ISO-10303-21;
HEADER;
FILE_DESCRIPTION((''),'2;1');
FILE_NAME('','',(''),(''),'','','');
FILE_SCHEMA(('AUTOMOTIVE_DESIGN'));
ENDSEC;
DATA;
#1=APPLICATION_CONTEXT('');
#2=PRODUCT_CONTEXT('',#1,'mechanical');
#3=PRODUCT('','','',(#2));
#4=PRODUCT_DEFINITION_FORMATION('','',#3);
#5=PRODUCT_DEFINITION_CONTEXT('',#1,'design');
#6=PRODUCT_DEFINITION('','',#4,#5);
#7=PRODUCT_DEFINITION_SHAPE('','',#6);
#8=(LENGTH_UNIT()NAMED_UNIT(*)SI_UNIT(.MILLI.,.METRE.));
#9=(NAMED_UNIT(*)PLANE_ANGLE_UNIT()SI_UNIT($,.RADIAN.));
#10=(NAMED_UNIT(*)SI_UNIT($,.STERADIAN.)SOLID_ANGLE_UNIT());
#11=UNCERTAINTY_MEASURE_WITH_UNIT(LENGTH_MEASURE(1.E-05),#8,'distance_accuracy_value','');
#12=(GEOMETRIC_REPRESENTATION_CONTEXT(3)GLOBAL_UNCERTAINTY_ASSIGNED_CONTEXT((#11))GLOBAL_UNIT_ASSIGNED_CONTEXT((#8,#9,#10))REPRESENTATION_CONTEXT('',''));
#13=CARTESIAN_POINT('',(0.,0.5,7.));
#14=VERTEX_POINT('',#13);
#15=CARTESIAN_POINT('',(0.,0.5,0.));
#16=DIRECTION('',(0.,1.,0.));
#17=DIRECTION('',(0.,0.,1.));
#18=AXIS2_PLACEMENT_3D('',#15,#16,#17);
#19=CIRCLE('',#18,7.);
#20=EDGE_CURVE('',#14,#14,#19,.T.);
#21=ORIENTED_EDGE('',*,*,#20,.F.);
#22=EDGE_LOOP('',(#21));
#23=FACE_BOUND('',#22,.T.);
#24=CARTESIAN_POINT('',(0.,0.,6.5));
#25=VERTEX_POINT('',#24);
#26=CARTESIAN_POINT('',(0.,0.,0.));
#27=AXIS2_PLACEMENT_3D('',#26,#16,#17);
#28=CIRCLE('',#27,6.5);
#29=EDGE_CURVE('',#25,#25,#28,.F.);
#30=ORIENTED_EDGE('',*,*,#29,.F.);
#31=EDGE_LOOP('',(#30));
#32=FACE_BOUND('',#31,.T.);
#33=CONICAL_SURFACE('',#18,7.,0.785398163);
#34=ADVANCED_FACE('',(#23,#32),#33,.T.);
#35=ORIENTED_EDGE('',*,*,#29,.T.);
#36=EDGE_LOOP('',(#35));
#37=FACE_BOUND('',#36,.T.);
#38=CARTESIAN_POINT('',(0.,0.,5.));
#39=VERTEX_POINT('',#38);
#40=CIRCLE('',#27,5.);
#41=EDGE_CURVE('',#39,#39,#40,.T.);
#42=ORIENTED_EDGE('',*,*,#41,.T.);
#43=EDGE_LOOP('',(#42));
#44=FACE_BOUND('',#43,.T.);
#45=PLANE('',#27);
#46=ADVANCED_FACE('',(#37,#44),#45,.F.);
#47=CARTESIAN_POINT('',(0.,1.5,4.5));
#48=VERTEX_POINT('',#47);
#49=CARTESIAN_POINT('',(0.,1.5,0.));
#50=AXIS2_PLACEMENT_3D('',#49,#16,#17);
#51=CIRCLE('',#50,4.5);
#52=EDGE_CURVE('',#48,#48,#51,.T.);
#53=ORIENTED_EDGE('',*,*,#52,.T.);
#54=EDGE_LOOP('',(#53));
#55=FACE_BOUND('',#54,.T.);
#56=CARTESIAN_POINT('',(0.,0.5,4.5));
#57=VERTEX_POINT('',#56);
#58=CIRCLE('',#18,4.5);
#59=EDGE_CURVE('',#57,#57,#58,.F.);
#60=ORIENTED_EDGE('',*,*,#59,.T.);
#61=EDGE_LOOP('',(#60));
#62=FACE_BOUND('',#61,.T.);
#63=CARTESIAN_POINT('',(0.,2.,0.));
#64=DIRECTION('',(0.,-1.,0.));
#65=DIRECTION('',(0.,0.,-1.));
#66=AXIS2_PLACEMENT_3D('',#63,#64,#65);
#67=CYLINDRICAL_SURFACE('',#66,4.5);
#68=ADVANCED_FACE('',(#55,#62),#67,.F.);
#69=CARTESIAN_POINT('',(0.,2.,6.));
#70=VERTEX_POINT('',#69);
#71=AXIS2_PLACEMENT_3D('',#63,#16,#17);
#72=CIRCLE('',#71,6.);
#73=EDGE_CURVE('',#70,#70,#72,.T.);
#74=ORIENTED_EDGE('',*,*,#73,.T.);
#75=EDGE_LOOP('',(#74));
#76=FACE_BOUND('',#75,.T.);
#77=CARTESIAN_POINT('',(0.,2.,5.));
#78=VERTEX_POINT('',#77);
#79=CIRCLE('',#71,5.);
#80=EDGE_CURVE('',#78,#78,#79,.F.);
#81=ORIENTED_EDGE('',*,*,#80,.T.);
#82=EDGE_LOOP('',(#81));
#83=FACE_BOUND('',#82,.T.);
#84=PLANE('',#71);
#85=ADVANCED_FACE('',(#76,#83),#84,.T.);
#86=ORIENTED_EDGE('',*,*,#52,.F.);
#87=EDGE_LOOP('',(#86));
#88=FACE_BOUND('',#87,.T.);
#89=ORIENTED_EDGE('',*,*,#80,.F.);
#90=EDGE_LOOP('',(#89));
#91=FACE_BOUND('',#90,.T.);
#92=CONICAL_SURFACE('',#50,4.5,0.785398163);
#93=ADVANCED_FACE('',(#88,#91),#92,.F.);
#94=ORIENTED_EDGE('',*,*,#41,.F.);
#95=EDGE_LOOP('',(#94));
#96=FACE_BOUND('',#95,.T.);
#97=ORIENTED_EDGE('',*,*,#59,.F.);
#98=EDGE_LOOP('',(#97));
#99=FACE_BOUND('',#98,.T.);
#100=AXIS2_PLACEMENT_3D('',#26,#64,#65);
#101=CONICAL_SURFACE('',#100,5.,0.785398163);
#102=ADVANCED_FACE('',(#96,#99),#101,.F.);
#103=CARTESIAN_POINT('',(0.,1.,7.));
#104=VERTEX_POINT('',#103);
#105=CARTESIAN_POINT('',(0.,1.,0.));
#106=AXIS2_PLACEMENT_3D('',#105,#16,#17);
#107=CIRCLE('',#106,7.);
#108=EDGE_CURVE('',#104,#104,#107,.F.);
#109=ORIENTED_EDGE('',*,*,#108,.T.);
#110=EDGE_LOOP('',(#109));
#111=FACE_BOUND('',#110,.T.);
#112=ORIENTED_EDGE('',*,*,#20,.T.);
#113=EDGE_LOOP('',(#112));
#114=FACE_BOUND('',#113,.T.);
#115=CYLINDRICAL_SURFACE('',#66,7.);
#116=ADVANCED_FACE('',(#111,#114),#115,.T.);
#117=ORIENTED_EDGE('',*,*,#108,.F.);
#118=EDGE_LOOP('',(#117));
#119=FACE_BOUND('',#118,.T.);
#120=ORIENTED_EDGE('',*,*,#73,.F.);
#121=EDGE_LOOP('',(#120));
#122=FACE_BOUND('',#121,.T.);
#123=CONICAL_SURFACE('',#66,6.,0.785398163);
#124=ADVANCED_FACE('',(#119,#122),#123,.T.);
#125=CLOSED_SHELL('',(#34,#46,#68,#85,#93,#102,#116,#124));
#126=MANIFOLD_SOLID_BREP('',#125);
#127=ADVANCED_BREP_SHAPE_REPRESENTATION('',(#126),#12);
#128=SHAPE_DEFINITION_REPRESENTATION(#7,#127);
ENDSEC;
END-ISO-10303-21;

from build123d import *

# Parameters (mm, degrees)
SKETCH1_R           = 7
SKETCH1_R_2         = 4.5
BOSS_EXTRUDE1_DEPTH = 2
CHAMFER1_SIZE       = 1
CHAMFER2_SIZE       = 0.5


with BuildPart() as part:
    # Sketch1 → Boss-Extrude1 (new body)
    with BuildSketch(Plane(origin=(0, 0, 0), x_dir=(1, 0, 0), z_dir=(0, 1, 0))):
        Circle(SKETCH1_R)
        Circle(SKETCH1_R_2, mode=Mode.SUBTRACT)
    extrude(amount=BOSS_EXTRUDE1_DEPTH)

    # Chamfer1
    chamfer1_edges = [part.edges().sort_by_distance(p)[0] for p in [
        (-7, 2, 0),
    ]]
    chamfer(chamfer1_edges, length=CHAMFER1_SIZE)

    # Chamfer2
    chamfer2_edges = [part.edges().sort_by_distance(p)[0] for p in [
        (-7, 0, 0),
        (-4.5, 0, 0),
        (-4.5, 2, 0),
    ]]
    chamfer(chamfer2_edges, length=CHAMFER2_SIZE)


solid = part.part
